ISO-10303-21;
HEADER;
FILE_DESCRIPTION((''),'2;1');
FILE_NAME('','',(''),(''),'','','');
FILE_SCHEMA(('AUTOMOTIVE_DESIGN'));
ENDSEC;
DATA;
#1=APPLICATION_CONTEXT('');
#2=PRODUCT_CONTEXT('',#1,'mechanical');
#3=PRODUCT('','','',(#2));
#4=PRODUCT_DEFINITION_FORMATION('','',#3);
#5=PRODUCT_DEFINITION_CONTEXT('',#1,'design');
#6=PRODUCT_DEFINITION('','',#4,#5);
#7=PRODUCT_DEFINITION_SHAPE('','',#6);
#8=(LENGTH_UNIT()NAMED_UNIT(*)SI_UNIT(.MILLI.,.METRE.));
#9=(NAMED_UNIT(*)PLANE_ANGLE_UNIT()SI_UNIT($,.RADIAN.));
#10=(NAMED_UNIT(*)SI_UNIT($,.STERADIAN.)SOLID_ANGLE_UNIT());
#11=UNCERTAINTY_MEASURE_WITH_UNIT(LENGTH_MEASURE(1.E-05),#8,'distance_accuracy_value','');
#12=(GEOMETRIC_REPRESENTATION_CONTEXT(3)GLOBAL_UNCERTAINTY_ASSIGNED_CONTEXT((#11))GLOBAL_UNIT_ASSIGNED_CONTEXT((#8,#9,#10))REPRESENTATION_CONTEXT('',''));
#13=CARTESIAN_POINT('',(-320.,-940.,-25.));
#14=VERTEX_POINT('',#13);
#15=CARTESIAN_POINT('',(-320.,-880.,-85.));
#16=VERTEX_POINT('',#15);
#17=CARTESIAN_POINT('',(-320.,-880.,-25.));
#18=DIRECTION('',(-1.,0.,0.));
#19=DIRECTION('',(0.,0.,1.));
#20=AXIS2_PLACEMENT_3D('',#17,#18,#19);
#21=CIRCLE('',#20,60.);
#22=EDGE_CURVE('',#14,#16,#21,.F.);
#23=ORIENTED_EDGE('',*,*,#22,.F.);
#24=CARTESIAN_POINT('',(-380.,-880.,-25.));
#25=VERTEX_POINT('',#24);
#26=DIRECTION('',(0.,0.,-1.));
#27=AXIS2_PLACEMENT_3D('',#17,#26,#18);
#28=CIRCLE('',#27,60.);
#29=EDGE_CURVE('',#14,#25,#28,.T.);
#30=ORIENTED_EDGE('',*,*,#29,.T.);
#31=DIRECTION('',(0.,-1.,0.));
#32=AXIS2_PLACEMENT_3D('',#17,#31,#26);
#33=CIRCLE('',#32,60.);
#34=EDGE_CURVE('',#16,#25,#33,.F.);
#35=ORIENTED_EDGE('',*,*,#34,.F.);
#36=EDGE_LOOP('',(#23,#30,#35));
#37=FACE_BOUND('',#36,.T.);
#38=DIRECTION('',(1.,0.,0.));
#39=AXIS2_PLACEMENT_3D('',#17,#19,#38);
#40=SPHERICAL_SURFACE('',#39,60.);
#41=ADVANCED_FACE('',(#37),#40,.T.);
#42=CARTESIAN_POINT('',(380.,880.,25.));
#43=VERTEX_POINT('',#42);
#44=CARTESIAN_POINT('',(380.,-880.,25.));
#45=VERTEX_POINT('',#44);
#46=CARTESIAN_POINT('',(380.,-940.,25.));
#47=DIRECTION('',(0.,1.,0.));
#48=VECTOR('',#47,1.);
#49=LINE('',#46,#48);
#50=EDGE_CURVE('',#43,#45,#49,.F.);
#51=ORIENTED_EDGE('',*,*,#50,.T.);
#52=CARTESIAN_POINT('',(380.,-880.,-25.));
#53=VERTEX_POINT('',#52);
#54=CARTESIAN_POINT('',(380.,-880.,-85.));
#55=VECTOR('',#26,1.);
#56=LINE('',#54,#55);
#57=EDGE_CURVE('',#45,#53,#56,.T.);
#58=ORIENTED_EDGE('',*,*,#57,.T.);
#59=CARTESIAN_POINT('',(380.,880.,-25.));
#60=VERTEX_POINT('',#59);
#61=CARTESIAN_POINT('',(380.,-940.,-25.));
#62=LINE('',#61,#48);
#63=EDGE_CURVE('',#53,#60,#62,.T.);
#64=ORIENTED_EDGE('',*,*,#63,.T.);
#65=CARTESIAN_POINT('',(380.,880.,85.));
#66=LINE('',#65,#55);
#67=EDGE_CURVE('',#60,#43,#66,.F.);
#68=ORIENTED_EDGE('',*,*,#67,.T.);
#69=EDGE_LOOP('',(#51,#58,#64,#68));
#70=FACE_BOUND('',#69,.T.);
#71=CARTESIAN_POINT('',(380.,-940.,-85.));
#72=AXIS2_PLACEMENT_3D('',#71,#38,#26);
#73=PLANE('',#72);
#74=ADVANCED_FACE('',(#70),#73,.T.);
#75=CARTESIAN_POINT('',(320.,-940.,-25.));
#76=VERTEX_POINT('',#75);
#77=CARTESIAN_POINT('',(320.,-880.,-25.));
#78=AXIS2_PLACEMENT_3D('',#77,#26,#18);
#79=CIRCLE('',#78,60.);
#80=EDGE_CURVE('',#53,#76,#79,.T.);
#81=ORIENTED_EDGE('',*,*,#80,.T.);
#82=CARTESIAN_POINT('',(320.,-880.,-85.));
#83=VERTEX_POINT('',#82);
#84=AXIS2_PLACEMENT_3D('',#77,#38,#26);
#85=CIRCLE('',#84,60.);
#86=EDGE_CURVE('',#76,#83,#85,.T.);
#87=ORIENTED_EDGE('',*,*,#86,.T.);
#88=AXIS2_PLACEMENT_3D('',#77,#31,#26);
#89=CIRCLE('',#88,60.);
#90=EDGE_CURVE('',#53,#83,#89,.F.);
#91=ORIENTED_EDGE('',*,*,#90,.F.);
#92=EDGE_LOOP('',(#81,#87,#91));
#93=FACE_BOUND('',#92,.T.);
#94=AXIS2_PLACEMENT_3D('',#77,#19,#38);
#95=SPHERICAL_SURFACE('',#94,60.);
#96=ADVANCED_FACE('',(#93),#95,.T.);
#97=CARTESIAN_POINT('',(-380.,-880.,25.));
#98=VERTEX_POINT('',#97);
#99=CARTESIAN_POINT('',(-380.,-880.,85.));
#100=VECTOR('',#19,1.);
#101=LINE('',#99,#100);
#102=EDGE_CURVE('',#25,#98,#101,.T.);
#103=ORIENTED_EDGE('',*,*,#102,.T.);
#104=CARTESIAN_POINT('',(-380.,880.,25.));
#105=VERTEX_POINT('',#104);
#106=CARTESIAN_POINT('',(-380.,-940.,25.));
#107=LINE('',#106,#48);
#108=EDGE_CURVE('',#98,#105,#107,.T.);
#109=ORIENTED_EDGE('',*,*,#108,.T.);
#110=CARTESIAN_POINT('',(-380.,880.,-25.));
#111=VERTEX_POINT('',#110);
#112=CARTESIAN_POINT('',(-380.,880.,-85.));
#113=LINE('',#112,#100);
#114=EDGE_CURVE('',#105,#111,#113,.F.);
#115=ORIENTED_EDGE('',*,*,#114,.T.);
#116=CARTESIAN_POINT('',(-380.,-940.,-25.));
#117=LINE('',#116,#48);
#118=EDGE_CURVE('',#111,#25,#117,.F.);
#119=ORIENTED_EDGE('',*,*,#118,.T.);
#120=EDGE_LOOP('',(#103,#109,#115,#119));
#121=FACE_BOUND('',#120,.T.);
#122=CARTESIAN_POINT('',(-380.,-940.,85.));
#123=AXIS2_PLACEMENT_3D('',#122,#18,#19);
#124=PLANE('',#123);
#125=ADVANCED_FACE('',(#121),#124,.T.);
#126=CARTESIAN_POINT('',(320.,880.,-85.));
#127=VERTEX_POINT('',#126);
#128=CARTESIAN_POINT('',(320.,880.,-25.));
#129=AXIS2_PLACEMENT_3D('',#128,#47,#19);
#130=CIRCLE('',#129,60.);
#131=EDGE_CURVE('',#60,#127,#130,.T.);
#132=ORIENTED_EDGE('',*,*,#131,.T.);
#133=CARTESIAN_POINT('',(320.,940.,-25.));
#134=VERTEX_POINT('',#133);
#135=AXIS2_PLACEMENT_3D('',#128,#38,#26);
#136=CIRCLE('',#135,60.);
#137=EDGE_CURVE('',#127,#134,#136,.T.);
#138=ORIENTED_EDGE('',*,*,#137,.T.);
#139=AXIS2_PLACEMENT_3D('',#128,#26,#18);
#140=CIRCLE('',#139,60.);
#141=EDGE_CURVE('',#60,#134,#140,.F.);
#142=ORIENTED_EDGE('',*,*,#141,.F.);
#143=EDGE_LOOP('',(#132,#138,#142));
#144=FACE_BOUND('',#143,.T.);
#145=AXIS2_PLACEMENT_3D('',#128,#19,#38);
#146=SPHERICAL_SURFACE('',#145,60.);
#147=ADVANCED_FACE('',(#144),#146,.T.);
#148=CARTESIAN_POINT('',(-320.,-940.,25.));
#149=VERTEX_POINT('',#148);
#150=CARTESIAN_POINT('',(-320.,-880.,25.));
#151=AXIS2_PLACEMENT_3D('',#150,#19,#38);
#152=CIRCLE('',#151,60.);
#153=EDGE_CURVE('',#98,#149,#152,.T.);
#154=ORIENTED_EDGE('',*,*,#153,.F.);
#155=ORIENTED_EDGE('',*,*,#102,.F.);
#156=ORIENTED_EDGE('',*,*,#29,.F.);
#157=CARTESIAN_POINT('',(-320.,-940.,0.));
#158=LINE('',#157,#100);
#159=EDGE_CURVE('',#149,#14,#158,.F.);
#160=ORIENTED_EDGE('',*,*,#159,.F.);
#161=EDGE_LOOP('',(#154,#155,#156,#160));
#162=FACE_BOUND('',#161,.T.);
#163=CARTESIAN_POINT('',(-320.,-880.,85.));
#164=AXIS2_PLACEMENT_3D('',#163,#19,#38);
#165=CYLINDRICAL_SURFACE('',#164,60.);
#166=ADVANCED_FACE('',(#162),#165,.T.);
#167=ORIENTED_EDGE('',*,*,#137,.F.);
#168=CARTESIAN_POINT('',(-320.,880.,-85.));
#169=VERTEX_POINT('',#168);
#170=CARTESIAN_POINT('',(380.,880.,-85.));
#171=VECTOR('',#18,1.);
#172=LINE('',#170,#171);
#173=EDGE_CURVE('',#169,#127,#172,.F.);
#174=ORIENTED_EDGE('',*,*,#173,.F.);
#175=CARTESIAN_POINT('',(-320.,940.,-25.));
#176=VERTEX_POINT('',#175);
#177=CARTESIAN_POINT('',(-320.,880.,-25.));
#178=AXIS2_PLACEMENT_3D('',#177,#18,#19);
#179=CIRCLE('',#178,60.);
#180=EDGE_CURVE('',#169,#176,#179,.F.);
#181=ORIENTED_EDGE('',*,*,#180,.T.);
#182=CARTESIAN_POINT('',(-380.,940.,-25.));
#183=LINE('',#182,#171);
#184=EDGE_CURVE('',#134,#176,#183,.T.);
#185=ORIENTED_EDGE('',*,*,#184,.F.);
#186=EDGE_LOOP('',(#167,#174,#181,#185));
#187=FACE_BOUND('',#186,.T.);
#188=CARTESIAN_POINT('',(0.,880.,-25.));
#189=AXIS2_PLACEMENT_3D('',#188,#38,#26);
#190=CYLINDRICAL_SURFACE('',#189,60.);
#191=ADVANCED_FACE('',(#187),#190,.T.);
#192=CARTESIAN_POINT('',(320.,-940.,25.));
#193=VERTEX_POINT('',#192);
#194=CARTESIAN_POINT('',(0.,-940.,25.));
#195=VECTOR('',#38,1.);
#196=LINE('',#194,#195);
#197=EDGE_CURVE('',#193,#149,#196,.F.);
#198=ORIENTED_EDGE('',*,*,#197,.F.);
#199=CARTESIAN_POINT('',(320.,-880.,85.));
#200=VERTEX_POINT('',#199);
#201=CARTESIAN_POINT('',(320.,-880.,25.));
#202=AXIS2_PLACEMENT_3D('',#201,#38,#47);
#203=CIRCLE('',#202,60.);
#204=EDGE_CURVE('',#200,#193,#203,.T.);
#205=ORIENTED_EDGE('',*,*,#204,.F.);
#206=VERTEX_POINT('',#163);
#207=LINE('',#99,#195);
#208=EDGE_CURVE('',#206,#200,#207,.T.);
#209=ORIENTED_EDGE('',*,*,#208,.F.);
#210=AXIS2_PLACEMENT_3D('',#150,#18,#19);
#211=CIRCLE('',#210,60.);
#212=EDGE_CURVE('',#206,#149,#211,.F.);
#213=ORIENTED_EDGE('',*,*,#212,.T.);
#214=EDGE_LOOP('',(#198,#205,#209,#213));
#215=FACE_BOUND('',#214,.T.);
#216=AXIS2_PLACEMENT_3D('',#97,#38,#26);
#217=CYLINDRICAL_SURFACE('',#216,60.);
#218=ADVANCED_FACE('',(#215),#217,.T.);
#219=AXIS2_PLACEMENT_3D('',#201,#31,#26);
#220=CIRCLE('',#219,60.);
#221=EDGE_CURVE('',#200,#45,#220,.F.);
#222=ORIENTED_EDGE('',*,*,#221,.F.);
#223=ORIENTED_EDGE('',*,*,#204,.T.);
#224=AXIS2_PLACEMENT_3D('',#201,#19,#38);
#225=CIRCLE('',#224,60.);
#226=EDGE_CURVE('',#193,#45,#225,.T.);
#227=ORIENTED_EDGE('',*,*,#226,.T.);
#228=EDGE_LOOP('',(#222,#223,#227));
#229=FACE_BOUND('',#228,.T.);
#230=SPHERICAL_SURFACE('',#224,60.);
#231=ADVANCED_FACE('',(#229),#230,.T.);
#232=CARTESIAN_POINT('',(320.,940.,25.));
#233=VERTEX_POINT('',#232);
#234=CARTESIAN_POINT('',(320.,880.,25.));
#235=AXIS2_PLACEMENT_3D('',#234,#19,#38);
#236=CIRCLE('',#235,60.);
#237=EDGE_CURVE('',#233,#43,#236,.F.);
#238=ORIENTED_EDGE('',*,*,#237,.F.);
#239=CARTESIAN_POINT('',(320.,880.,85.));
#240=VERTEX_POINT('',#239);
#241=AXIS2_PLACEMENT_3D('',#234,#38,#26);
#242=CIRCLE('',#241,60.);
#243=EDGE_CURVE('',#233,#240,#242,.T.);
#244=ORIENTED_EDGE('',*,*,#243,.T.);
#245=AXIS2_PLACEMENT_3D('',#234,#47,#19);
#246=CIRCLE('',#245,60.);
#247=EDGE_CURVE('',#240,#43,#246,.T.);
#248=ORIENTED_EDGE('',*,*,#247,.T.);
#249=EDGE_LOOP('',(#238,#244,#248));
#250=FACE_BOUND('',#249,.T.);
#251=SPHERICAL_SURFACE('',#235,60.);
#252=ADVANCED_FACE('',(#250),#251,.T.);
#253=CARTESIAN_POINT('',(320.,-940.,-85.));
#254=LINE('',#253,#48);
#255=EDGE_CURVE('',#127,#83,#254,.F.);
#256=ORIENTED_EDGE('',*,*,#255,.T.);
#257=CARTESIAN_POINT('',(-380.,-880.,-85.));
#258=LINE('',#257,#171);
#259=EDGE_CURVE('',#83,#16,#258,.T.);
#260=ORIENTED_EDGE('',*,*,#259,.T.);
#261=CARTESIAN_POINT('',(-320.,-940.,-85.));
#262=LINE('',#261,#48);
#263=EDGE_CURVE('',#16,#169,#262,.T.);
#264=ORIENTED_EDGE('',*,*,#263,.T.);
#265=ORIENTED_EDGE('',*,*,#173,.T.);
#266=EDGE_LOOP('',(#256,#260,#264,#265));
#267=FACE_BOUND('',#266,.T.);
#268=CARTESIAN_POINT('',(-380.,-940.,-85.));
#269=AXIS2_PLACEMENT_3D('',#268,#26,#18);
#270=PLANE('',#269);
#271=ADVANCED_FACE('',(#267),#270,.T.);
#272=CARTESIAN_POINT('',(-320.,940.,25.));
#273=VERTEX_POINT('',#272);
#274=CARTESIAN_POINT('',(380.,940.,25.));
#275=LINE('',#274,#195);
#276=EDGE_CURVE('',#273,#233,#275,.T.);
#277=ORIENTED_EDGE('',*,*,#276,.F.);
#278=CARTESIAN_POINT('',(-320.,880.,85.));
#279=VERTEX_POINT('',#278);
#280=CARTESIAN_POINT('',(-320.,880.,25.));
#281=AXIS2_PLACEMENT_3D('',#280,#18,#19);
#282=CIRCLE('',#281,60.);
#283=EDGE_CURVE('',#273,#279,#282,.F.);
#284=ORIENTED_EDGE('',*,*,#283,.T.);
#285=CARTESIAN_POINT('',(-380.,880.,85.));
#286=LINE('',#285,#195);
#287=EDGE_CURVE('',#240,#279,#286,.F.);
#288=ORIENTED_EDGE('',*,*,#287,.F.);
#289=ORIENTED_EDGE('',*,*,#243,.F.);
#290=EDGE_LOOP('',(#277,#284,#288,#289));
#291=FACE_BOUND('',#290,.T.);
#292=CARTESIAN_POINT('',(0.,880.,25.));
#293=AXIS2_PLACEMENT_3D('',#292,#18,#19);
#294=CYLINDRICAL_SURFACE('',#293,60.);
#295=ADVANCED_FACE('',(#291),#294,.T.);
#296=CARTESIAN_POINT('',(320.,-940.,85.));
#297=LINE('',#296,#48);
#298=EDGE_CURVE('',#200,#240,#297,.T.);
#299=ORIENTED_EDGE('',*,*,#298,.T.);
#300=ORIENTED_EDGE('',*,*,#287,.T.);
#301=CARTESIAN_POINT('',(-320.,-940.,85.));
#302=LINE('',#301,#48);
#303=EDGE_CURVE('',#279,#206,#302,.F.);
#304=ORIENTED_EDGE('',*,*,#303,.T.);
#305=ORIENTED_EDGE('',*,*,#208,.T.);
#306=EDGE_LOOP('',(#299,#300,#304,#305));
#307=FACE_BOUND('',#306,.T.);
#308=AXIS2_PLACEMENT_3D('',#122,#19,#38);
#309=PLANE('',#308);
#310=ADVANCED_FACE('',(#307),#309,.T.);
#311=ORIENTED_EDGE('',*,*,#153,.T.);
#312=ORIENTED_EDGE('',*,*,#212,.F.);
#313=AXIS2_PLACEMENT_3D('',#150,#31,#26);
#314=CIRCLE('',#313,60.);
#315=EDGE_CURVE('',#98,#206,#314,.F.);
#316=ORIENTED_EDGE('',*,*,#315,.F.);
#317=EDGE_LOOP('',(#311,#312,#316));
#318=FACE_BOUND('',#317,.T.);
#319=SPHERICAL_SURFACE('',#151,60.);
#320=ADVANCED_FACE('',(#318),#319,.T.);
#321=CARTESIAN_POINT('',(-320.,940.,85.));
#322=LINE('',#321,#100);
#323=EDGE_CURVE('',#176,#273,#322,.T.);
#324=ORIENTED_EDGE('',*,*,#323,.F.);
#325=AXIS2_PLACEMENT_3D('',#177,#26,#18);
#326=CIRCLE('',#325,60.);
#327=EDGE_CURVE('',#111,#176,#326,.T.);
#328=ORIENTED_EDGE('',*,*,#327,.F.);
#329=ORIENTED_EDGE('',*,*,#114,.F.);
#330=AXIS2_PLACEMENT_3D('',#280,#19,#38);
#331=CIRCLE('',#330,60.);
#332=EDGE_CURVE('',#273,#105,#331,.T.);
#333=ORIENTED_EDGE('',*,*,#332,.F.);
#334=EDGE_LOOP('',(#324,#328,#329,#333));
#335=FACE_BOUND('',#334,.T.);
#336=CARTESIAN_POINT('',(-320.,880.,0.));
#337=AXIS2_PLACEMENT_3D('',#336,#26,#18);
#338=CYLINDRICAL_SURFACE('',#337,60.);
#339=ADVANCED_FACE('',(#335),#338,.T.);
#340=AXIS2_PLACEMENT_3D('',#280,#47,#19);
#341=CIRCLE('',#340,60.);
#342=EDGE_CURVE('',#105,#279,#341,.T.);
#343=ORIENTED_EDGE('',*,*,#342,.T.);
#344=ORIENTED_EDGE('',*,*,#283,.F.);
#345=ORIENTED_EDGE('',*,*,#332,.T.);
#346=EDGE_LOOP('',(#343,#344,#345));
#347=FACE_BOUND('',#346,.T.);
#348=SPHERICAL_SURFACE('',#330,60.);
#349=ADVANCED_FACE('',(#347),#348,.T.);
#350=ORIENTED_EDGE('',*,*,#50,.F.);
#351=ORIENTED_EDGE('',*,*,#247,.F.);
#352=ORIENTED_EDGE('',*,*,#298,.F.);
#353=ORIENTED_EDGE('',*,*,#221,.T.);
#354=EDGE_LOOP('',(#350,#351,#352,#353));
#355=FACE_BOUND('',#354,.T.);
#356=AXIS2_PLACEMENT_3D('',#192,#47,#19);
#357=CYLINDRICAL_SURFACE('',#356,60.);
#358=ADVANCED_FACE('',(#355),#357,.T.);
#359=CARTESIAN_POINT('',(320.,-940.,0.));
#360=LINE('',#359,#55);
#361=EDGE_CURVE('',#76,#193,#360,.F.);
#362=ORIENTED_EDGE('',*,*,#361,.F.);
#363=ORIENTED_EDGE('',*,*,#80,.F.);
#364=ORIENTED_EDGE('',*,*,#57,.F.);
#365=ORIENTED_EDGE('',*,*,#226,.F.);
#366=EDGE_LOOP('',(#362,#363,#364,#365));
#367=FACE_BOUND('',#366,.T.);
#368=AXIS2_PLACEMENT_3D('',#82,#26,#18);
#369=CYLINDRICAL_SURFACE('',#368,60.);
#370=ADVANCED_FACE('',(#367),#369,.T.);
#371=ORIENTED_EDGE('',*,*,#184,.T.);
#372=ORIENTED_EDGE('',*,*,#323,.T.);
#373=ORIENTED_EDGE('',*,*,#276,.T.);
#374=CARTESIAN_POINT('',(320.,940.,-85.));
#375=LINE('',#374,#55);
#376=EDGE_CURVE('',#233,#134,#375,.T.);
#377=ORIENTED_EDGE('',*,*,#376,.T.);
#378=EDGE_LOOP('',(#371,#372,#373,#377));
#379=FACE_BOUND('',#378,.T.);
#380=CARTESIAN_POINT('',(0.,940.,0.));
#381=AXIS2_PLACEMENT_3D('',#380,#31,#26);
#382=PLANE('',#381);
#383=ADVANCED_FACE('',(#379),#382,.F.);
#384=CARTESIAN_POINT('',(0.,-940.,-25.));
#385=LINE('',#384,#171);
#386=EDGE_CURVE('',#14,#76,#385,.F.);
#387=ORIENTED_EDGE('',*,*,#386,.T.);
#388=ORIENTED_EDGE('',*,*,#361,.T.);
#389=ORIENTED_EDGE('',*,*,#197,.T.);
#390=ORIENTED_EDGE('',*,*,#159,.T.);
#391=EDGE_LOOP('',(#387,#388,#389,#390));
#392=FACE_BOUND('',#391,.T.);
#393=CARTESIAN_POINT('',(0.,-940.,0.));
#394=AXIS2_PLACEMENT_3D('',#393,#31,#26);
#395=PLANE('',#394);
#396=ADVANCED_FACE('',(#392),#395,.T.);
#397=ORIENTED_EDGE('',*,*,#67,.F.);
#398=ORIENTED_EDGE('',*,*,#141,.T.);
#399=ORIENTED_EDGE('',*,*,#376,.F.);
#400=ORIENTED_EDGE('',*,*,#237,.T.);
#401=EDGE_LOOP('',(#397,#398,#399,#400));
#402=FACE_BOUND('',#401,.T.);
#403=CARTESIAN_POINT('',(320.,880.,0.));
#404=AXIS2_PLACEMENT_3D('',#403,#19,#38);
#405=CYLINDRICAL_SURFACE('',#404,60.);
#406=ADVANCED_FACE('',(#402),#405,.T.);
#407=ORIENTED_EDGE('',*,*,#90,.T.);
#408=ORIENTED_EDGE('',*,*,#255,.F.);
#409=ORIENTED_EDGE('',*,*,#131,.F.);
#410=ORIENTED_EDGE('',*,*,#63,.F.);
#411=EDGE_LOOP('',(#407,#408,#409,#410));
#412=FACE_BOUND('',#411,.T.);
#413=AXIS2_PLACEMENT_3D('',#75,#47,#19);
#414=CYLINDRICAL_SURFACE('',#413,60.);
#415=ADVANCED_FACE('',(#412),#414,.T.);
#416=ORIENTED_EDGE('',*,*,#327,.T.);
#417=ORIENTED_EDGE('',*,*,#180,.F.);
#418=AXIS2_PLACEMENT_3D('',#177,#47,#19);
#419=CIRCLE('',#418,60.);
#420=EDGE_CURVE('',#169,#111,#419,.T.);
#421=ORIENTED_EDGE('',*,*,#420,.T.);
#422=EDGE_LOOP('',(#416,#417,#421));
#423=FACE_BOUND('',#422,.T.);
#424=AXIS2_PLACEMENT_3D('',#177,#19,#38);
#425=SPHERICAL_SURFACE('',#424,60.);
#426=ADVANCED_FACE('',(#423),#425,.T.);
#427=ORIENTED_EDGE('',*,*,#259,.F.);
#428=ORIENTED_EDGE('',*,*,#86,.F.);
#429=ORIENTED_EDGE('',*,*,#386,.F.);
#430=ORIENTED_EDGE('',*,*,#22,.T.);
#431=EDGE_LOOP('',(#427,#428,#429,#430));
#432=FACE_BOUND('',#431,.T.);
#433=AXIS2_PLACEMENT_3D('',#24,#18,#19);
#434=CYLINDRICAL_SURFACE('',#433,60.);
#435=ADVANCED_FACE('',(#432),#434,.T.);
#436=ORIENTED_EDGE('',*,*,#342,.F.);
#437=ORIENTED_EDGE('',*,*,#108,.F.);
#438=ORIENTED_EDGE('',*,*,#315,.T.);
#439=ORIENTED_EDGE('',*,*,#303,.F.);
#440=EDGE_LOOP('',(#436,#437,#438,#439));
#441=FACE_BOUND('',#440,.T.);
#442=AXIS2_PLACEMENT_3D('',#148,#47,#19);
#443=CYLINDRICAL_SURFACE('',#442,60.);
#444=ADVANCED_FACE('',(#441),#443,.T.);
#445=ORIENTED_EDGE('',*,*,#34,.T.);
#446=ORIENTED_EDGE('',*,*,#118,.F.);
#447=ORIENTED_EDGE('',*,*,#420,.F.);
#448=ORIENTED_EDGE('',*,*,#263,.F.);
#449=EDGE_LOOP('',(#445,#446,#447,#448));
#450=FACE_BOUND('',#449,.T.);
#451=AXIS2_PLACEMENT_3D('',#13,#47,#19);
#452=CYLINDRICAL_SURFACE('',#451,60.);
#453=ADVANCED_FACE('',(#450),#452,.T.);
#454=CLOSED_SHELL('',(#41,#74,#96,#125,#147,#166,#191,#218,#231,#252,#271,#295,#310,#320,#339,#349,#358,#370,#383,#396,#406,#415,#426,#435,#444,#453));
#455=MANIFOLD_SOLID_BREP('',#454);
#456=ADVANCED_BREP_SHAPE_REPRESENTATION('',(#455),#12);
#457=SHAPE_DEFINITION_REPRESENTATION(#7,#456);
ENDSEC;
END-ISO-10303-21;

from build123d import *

# Parameters (mm, degrees)
BOSS_EXTRUDE1_DEPTH      = 940
BOSS_EXTRUDE1_DEPTH_BACK = 940
SKETCH1_W                = 760
SKETCH1_H                = 170
FILLET1_R                = 60


with BuildPart() as part:
    # Sketch1 → Boss-Extrude1 (new, two sides: drawn at the far end of the back side and taken through both)
    with BuildSketch(Plane(origin=(0, 0, 0), x_dir=(1, 0, 0), z_dir=(0, 1, 0)).offset(-BOSS_EXTRUDE1_DEPTH_BACK)):
        Rectangle(SKETCH1_W, SKETCH1_H)
    extrude(amount=BOSS_EXTRUDE1_DEPTH + BOSS_EXTRUDE1_DEPTH_BACK)

    # Fillet1
    fillet1_edges = [part.edges().sort_by_distance(p)[0] for p in [
        (-380, 940, 0),
        (380, -940, 0),
        (0, 940, 85),
        (380, 940, 0),
        (0, 940, -85),
        (0, -940, -85),
        (-380, -940, 0),
        (-380, 0, -85),
        (380, 0, -85),
        (380, 0, 85),
        (-380, 0, 85),
        (0, -940, 85),
    ]]
    fillet(fillet1_edges, radius=FILLET1_R)


solid = part.part
